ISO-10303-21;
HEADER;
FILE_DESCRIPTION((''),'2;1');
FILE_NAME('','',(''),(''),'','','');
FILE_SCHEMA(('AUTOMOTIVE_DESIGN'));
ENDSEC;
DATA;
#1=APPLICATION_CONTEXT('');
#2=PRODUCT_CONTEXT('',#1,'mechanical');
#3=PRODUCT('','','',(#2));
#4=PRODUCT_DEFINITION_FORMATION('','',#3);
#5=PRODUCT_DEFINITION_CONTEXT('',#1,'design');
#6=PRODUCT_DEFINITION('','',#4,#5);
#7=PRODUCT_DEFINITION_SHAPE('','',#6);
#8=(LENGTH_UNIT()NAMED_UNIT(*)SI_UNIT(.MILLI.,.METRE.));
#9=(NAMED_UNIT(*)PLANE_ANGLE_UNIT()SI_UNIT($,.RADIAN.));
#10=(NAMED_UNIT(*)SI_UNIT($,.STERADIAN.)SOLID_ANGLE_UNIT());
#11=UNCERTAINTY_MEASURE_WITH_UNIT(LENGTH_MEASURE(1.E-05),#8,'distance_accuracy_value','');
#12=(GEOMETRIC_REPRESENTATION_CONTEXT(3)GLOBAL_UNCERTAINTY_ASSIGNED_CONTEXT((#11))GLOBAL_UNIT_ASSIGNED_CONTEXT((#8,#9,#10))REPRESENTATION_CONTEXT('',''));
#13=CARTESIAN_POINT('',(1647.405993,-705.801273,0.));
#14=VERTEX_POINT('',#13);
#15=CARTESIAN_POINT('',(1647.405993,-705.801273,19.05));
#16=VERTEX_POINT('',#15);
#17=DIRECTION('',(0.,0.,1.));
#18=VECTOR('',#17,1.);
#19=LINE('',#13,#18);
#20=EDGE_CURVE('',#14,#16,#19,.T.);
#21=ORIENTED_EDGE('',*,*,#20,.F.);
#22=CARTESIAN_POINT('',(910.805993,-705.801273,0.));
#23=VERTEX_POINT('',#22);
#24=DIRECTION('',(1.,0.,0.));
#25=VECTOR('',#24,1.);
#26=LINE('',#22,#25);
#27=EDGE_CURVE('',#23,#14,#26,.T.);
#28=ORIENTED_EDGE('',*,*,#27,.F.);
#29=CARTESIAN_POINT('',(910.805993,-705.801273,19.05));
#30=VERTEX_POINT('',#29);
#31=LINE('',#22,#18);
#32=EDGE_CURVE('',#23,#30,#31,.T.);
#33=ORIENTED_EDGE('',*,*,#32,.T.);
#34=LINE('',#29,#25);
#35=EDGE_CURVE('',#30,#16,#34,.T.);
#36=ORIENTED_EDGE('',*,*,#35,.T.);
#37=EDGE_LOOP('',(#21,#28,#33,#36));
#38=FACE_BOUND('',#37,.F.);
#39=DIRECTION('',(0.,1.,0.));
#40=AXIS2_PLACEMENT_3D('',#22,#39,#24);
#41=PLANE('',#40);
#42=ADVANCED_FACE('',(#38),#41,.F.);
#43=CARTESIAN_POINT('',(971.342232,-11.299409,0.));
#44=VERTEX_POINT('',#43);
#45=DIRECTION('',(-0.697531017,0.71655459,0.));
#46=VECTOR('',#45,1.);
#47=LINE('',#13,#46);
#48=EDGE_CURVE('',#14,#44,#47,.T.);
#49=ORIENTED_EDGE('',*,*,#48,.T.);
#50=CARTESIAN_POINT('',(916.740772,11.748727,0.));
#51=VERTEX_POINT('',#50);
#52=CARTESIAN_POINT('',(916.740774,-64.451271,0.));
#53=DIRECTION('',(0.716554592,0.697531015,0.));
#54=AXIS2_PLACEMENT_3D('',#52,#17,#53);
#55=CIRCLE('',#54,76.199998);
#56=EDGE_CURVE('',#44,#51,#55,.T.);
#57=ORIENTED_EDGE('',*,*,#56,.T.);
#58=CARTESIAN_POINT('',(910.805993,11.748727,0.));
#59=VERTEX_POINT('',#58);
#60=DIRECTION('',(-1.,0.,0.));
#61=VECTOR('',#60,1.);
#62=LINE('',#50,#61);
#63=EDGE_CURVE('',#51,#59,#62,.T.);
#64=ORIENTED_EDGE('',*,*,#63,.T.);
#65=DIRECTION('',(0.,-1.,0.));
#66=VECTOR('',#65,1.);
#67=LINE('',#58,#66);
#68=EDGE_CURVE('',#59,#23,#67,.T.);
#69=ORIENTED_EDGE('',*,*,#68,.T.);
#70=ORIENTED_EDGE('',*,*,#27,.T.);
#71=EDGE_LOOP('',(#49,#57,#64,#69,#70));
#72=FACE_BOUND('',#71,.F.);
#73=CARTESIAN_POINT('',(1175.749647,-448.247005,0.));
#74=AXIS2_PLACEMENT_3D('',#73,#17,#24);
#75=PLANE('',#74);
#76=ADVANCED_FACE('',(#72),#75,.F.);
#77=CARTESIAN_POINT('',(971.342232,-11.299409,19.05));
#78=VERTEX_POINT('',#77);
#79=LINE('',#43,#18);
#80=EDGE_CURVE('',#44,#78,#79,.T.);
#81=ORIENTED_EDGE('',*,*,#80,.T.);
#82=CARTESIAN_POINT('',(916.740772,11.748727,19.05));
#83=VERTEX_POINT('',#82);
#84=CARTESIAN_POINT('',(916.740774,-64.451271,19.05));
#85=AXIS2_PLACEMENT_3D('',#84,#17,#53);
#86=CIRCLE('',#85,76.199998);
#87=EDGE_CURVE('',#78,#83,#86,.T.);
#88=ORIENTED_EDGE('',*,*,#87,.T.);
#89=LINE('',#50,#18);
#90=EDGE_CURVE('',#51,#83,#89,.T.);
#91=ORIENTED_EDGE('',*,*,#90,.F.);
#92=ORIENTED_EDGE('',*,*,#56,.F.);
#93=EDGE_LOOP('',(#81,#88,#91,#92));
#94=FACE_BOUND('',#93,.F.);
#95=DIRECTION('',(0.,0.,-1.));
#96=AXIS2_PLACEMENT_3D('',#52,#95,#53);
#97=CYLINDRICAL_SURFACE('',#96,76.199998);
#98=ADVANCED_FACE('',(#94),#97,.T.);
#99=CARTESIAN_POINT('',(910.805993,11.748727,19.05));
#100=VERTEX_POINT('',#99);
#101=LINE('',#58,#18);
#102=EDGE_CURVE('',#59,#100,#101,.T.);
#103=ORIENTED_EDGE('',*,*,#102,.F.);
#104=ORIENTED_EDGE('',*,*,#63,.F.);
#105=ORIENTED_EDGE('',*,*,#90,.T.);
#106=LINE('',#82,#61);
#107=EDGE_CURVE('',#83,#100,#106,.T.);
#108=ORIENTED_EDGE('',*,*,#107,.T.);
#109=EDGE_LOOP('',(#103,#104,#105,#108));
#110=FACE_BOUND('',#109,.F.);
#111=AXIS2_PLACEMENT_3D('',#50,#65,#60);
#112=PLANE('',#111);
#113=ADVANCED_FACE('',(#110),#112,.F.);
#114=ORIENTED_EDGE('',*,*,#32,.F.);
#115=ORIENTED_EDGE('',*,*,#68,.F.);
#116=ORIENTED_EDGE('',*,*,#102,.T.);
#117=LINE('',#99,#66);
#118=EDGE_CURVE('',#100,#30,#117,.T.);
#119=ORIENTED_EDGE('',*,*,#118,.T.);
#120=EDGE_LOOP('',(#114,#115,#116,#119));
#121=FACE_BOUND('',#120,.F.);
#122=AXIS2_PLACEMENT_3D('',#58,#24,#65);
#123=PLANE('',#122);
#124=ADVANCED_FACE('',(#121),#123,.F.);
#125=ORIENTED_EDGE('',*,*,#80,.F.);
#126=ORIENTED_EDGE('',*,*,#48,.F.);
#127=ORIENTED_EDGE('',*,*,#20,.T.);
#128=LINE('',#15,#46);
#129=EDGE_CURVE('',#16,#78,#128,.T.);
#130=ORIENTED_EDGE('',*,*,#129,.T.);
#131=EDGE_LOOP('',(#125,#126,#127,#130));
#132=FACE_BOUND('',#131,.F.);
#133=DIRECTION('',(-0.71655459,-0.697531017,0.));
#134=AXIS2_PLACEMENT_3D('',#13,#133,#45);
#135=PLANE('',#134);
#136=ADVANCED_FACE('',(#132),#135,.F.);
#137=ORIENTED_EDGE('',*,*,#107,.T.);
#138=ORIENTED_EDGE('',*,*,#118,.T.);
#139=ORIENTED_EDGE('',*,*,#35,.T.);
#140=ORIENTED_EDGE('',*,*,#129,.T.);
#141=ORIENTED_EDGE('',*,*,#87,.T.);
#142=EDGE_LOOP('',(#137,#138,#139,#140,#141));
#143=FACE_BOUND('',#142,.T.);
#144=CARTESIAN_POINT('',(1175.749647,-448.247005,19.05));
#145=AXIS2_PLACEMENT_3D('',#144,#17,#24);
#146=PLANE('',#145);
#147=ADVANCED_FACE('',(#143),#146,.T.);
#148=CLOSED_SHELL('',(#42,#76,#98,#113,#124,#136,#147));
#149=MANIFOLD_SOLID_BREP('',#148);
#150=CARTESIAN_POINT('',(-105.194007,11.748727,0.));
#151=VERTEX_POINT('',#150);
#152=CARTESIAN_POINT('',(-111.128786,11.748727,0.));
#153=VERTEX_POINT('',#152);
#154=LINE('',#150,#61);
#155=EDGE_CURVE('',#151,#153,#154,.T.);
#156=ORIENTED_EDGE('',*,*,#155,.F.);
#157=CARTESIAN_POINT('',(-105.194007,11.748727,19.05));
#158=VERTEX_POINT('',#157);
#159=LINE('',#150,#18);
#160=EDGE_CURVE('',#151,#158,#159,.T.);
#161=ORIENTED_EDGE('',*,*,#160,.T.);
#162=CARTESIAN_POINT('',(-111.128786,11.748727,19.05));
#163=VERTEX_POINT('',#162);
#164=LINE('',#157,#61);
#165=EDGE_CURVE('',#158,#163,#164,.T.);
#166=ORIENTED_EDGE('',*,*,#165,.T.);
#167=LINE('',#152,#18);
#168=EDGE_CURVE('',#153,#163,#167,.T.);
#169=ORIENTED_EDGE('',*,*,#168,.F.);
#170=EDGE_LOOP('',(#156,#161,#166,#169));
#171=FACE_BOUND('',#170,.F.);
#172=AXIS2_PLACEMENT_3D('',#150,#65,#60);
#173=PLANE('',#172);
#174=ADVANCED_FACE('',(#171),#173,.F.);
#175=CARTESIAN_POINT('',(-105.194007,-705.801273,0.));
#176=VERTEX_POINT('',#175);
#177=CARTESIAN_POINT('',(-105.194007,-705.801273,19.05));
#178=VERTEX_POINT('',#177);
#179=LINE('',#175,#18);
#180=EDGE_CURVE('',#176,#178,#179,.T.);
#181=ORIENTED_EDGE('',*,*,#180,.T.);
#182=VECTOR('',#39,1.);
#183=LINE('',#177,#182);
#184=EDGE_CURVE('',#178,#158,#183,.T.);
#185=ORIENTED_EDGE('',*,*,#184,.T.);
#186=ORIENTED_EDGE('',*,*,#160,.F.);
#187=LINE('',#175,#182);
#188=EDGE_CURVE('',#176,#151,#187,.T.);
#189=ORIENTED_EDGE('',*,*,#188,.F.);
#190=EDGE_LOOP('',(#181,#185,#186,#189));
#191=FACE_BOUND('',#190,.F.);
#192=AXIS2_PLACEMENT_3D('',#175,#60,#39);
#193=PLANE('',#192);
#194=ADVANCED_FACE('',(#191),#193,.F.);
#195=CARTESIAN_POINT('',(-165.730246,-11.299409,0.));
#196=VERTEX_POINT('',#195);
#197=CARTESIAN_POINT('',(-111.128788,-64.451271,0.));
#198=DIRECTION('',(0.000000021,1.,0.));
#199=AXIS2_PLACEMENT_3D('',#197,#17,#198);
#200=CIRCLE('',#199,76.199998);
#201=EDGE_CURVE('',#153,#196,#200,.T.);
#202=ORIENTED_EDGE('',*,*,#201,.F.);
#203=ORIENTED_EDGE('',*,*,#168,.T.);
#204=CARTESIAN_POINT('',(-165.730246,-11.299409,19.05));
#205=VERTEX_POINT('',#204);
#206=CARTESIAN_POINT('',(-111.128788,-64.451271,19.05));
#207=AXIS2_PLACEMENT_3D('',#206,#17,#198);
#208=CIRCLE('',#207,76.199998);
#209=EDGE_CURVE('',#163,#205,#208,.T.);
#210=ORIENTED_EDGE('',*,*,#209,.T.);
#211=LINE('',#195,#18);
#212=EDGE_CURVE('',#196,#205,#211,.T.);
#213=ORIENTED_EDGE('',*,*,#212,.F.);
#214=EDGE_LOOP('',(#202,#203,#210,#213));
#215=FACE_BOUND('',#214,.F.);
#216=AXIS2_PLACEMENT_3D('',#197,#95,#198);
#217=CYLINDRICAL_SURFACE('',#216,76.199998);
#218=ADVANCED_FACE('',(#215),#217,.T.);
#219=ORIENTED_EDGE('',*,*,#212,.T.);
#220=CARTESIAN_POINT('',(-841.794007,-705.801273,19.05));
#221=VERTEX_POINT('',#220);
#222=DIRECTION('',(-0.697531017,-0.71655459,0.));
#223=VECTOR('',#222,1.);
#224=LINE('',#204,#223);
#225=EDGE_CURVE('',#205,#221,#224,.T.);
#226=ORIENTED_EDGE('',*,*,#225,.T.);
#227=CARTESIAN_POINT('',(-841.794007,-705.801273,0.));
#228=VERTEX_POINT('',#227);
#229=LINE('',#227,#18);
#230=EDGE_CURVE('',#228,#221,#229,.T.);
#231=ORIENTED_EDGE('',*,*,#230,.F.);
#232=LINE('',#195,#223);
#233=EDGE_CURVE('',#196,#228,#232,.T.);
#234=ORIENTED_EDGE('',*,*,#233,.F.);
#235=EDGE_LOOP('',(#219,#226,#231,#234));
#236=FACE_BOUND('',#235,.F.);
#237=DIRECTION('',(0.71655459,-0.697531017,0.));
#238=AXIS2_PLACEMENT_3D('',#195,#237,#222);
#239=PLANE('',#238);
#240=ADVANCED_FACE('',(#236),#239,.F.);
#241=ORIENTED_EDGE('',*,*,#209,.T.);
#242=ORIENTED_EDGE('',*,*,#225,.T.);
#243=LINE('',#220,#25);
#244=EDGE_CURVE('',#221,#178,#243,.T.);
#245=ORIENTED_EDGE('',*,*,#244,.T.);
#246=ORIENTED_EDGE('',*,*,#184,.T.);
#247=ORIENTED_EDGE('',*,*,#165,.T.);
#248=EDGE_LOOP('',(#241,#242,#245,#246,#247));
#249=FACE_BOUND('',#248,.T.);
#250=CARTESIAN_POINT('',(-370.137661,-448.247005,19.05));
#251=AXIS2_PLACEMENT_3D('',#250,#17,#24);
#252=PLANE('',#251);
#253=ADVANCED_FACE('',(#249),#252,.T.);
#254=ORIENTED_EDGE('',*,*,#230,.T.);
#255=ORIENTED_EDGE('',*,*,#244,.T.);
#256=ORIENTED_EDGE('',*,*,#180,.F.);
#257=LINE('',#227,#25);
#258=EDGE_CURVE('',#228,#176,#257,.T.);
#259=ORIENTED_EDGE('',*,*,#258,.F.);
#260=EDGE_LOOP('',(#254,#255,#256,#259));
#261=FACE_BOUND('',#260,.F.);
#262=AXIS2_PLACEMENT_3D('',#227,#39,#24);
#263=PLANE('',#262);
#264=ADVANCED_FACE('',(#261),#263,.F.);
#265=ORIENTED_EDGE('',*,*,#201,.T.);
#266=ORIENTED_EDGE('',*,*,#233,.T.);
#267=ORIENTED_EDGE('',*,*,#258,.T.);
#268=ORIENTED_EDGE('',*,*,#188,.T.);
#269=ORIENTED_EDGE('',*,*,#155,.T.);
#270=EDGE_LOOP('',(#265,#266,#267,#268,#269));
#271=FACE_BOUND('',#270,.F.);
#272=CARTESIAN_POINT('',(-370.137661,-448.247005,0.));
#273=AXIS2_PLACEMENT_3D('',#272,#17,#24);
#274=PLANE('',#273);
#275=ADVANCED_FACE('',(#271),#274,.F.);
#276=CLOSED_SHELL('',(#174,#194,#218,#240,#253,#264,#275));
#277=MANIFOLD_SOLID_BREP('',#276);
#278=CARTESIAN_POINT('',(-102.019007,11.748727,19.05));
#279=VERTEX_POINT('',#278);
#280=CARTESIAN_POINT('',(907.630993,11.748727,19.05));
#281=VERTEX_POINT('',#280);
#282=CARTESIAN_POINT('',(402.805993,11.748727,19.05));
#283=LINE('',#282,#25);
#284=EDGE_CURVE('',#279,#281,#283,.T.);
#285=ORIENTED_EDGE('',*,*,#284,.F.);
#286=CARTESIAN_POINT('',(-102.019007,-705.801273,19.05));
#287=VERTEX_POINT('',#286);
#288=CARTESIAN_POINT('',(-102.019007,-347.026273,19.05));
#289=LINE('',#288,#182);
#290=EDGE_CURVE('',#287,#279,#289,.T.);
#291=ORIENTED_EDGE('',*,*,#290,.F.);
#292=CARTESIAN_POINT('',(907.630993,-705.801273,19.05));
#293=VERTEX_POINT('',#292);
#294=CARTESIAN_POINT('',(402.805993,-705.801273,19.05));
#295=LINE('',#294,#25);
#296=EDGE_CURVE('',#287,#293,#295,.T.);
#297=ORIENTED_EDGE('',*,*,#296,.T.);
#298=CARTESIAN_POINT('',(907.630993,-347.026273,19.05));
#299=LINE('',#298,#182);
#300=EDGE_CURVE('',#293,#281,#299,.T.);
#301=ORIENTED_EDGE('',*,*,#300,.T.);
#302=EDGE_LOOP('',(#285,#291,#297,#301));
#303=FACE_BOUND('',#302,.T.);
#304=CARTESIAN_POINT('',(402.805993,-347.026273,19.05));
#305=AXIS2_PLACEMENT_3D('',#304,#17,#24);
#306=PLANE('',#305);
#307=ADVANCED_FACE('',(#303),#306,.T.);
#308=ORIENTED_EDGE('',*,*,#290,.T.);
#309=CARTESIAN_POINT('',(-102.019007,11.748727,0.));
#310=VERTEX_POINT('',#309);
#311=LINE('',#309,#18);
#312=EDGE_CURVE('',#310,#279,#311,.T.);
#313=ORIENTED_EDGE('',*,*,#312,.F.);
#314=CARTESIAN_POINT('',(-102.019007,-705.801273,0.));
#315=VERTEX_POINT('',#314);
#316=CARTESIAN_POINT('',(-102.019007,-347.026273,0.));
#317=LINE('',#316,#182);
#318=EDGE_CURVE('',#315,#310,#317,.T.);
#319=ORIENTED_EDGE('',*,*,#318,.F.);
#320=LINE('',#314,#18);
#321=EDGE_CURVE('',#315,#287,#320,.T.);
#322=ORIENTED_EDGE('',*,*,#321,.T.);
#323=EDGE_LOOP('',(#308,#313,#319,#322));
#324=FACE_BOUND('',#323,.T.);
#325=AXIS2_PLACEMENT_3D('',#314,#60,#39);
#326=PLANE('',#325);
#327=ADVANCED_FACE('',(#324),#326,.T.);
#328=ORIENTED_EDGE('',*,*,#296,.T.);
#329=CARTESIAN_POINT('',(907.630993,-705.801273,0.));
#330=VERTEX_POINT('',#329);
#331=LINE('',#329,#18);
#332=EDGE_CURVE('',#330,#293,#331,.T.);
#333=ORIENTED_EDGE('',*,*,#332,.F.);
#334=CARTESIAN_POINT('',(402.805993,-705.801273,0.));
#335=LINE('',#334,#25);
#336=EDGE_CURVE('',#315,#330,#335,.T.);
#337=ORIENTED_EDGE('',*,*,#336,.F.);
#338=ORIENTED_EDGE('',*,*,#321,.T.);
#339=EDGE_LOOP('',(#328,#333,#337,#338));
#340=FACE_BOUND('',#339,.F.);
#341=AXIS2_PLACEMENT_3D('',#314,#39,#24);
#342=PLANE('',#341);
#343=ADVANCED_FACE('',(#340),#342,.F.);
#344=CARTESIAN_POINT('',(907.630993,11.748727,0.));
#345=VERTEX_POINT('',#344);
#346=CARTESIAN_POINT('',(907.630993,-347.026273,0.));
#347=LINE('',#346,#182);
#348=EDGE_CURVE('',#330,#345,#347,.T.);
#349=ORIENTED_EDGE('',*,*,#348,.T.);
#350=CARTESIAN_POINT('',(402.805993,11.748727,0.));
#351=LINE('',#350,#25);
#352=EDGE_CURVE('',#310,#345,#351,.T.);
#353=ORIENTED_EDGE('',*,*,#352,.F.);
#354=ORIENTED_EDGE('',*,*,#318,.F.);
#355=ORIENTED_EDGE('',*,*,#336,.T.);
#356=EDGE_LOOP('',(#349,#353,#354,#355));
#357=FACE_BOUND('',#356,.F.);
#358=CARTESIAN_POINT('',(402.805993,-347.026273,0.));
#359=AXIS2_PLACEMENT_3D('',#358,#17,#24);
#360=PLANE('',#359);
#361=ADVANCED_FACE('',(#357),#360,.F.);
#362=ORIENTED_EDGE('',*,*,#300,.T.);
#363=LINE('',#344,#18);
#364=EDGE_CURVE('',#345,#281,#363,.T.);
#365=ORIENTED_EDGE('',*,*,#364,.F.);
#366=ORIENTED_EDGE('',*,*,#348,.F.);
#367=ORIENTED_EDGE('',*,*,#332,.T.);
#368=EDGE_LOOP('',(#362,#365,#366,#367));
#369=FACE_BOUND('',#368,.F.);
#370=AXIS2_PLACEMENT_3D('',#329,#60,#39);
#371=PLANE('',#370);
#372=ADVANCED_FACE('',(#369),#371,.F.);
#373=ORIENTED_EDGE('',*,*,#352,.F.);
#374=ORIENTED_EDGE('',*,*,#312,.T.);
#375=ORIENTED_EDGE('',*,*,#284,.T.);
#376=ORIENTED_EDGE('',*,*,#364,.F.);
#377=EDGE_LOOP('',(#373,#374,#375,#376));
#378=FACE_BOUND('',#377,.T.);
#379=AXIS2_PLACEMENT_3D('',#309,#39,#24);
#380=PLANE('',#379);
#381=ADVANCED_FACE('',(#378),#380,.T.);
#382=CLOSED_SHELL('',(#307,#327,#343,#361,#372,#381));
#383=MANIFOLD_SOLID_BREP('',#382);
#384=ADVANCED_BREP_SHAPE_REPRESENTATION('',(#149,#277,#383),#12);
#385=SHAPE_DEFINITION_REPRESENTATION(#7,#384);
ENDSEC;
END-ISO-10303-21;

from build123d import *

# Parameters (mm, degrees)
F1_W     = 1009.65
F1_H     = 717.55
F2_DEPTH = 19.05


with BuildPart() as f2:
    # F1 (on Top) → F2 (new body)
    with BuildSketch(Plane.XY):
        with BuildLine():
            Line((-165.730246, -11.299409), (-841.794007, -705.801273))
            Line((-841.794007, -705.801273), (-105.194007, -705.801273))
            Line((-105.194007, -705.801273), (-105.194007, 11.748727))
            Line((-105.194007, 11.748727), (-111.128786, 11.748727))
            ThreePointArc((-111.128786, 11.748727), (-140.762112, 5.750622), (-165.730246, -11.299409))
        make_face()
        with Locations((402.805993, -347.026273)):
            Rectangle(F1_W, F1_H)
        with BuildLine():
            Line((916.740772, 11.748727), (910.805993, 11.748727))
            Line((910.805993, 11.748727), (910.805993, -705.801273))
            Line((910.805993, -705.801273), (1647.405993, -705.801273))
            Line((1647.405993, -705.801273), (971.342232, -11.299409))
            ThreePointArc((971.342232, -11.299409), (946.374098, 5.750622), (916.740772, 11.748727))
        make_face()
    extrude(amount=F2_DEPTH)


solid = f2.part
